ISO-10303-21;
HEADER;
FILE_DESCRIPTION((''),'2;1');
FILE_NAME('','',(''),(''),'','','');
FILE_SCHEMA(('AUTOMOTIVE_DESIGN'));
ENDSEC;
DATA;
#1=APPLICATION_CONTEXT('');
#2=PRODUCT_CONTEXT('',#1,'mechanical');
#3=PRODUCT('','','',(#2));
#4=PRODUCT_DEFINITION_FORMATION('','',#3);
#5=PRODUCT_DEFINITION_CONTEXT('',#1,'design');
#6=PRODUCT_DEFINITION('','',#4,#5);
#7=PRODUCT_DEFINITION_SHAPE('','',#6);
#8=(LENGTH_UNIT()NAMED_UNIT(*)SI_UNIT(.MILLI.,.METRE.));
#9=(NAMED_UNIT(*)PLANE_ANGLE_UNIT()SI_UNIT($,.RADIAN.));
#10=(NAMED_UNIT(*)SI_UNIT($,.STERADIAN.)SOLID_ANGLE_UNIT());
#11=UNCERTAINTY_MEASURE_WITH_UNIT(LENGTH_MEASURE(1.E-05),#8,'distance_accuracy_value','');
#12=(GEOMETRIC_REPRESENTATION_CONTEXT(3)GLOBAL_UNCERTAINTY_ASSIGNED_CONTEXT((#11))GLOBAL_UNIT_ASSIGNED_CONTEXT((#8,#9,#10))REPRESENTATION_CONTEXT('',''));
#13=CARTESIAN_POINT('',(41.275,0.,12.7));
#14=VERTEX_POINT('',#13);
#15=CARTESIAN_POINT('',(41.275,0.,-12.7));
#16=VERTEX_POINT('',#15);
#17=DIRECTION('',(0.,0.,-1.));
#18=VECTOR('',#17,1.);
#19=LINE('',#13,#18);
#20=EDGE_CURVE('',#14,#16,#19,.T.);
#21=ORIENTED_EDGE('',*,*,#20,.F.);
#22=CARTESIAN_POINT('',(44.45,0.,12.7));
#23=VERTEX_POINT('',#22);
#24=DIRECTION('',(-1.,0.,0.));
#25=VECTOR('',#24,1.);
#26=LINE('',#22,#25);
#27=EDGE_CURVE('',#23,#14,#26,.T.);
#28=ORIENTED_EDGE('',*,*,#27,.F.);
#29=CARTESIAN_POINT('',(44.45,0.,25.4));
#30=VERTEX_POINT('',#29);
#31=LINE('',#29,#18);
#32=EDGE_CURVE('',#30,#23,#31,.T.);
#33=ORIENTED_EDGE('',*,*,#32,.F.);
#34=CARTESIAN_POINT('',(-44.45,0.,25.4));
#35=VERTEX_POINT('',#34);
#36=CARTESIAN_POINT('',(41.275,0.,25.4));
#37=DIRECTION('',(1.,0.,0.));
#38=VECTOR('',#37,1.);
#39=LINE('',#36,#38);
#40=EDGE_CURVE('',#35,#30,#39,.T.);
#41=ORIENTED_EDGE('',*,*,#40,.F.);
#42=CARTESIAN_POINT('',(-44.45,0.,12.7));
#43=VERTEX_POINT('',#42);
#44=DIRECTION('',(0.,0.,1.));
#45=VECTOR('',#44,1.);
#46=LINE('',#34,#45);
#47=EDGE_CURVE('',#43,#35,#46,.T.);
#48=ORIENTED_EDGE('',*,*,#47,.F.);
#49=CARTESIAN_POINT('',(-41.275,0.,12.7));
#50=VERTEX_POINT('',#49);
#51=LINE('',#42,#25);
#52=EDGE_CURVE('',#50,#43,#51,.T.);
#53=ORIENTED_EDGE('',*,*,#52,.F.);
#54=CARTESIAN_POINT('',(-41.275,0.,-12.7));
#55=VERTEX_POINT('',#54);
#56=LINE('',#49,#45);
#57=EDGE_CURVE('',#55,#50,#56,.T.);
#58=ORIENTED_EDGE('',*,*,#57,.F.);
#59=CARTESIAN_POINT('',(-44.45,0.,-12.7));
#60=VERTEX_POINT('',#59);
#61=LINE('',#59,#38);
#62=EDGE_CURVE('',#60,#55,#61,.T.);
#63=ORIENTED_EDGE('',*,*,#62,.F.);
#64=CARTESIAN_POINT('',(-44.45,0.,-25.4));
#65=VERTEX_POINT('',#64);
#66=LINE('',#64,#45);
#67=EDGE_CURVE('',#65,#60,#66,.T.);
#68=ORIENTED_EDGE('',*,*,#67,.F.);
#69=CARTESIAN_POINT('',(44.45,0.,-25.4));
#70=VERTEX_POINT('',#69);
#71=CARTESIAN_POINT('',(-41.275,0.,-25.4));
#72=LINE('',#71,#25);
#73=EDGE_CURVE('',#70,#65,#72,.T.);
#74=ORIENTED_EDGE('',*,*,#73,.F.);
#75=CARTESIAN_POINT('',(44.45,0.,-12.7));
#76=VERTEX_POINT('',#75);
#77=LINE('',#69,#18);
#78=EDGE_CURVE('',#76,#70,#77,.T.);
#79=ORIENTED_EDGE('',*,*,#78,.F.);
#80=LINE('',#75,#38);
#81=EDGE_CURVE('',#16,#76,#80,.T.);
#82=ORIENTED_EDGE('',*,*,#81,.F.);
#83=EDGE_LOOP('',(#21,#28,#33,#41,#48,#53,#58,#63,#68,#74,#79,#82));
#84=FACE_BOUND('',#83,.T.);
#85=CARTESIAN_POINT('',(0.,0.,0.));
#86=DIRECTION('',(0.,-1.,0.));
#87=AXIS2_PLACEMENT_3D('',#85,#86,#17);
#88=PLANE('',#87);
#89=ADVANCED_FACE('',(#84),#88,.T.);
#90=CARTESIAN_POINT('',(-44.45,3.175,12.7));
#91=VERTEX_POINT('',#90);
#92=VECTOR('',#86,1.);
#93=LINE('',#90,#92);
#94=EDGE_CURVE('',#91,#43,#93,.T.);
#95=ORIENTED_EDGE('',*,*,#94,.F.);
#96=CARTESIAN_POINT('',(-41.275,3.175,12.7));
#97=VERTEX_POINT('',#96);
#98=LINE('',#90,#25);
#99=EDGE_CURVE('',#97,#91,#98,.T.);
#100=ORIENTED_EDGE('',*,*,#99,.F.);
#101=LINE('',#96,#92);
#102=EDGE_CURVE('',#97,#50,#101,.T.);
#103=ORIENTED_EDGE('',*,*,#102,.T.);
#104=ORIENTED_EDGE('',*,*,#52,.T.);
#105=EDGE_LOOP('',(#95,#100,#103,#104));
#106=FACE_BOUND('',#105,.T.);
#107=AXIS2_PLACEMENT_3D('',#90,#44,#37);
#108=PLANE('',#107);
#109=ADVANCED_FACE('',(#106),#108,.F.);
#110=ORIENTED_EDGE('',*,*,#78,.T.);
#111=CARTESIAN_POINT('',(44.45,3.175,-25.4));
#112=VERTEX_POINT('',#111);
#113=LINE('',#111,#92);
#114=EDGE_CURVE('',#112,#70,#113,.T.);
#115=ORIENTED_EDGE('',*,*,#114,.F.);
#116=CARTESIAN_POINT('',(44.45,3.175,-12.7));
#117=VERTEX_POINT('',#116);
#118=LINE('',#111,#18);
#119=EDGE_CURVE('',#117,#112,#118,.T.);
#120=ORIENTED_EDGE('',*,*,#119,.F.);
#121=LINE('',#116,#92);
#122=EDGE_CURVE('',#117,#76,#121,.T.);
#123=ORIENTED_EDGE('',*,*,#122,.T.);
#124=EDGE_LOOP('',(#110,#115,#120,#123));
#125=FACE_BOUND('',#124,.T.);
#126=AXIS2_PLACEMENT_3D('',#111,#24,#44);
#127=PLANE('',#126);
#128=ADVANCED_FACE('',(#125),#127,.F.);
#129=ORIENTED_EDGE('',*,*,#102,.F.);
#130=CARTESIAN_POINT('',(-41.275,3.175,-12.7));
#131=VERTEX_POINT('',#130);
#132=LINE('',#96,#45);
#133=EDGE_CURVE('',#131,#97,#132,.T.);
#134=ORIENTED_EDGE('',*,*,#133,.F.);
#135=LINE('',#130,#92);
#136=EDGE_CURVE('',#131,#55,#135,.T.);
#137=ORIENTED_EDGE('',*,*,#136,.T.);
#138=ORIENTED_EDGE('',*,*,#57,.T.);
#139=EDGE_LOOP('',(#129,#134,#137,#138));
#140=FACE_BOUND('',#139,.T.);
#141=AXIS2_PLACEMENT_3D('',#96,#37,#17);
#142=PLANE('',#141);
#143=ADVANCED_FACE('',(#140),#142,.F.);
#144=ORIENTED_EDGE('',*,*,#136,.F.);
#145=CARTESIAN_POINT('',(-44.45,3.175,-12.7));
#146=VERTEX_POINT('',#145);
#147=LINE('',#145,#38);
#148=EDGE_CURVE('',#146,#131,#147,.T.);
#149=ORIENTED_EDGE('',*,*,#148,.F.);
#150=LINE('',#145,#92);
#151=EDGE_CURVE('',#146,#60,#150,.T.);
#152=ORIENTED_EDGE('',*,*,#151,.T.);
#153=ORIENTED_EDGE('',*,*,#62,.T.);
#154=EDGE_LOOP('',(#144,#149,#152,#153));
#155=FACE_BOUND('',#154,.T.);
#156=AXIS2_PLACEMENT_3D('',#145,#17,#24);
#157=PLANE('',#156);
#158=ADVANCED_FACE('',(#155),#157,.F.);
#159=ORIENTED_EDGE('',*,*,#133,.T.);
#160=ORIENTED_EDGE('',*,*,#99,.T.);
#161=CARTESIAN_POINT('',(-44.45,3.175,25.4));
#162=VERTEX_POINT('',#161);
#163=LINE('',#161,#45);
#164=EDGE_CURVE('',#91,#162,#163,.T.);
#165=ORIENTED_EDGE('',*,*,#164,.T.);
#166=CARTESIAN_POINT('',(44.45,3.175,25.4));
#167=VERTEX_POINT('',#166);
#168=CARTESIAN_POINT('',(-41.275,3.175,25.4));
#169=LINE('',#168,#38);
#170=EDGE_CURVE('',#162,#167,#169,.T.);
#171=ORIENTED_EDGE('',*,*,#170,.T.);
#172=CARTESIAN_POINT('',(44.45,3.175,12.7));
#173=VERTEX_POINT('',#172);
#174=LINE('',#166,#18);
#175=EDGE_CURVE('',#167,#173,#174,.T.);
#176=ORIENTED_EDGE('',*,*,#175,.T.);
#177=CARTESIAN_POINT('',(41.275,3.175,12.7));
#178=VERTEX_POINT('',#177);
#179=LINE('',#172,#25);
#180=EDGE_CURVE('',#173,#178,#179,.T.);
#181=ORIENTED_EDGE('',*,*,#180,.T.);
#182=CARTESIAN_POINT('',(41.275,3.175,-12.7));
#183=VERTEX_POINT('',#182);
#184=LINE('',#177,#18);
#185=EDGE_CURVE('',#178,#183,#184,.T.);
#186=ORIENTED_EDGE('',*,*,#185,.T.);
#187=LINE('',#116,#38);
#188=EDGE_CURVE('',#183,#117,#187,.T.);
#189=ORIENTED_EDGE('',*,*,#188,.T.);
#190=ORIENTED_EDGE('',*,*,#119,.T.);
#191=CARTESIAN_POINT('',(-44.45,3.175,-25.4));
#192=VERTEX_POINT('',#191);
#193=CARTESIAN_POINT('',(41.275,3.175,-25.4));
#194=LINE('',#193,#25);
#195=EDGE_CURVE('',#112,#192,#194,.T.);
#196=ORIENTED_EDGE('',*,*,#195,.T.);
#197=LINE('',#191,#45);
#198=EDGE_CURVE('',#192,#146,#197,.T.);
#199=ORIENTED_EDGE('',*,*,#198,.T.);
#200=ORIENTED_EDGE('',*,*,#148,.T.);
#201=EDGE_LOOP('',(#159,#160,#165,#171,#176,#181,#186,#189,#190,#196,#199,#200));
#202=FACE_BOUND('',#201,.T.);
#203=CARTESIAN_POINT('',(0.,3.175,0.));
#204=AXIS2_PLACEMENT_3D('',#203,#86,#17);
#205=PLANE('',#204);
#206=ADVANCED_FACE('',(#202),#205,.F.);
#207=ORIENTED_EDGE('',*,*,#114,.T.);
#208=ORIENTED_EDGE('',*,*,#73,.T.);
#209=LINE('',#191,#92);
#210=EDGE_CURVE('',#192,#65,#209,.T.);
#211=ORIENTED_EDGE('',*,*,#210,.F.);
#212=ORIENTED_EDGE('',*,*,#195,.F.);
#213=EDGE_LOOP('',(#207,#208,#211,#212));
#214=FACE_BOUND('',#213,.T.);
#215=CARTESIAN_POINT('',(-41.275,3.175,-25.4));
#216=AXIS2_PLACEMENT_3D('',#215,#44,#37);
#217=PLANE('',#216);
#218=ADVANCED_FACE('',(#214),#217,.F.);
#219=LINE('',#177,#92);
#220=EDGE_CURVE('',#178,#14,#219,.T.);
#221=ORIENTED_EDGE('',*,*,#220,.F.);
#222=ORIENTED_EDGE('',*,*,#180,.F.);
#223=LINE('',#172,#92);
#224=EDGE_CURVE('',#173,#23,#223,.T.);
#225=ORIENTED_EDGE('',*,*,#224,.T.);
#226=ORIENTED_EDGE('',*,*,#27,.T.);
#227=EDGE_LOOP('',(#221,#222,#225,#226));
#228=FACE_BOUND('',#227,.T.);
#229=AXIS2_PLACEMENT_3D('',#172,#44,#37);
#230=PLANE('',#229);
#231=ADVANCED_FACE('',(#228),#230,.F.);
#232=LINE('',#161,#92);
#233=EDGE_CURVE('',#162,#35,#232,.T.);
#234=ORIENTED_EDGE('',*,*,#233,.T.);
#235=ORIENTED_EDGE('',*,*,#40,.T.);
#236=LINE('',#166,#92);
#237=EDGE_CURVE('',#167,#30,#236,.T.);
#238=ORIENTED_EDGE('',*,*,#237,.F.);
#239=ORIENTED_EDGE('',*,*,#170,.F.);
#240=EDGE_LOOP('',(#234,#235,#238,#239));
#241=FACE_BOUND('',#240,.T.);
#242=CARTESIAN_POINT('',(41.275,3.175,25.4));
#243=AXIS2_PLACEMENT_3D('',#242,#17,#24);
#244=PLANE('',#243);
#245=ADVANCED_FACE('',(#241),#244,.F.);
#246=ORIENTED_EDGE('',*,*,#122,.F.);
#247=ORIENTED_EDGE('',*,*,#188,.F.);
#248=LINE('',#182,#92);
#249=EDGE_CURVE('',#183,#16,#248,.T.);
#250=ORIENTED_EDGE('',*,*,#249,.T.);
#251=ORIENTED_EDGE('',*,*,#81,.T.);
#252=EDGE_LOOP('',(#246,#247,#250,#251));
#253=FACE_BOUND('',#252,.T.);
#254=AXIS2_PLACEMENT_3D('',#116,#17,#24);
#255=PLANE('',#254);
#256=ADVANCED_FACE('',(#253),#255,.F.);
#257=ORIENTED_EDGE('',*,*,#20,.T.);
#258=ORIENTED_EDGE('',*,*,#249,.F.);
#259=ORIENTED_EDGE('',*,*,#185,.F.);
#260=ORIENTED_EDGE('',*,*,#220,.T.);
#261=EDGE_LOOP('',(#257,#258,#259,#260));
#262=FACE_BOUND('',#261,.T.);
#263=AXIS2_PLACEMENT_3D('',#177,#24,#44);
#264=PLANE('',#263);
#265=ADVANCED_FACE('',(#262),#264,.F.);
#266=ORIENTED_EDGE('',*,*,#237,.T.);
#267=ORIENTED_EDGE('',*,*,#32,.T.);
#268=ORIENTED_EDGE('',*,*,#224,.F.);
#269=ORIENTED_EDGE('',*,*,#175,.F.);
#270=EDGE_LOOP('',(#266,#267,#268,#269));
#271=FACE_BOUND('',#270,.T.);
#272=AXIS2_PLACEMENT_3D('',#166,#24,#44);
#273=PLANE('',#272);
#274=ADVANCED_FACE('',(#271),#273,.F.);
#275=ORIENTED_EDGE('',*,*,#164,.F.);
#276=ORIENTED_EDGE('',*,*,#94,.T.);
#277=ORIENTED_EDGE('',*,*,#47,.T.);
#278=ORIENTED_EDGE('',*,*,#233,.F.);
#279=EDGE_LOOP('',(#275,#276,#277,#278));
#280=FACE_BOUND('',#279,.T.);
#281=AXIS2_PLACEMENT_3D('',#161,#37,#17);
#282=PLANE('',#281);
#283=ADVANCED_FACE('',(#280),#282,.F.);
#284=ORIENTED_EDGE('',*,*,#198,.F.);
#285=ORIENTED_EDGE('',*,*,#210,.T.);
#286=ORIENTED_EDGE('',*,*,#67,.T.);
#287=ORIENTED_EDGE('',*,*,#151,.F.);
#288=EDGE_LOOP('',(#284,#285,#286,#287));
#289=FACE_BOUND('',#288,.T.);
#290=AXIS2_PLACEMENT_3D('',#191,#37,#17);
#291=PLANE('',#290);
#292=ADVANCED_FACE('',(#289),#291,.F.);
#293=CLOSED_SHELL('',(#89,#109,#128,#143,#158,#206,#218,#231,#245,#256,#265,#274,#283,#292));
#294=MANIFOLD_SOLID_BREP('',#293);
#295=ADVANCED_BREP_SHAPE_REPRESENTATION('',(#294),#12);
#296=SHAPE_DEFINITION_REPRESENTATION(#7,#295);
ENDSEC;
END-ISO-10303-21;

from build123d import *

# Parameters (mm, degrees)
BOSS_EXTRUDE1_DEPTH = 3.175


with BuildPart() as part:
    # Sketch1 → Boss-Extrude1 (new body)
    with BuildSketch(Plane(origin=(0, 0, 0), x_dir=(1, 0, 0), z_dir=(0, 1, 0))):
        Polygon((-41.275, -12.7), (-41.275, 12.7), (-44.45, 12.7), (-44.45, 25.4), (-41.275, 25.4), (41.275, 25.4), (44.45, 25.4), (44.45, 12.7), (41.275, 12.7), (41.275, -12.7), (44.45, -12.7), (44.45, -25.4), (41.275, -25.4), (-41.275, -25.4), (-44.45, -25.4), (-44.45, -12.7), align=None)
    extrude(amount=BOSS_EXTRUDE1_DEPTH)


solid = part.part
